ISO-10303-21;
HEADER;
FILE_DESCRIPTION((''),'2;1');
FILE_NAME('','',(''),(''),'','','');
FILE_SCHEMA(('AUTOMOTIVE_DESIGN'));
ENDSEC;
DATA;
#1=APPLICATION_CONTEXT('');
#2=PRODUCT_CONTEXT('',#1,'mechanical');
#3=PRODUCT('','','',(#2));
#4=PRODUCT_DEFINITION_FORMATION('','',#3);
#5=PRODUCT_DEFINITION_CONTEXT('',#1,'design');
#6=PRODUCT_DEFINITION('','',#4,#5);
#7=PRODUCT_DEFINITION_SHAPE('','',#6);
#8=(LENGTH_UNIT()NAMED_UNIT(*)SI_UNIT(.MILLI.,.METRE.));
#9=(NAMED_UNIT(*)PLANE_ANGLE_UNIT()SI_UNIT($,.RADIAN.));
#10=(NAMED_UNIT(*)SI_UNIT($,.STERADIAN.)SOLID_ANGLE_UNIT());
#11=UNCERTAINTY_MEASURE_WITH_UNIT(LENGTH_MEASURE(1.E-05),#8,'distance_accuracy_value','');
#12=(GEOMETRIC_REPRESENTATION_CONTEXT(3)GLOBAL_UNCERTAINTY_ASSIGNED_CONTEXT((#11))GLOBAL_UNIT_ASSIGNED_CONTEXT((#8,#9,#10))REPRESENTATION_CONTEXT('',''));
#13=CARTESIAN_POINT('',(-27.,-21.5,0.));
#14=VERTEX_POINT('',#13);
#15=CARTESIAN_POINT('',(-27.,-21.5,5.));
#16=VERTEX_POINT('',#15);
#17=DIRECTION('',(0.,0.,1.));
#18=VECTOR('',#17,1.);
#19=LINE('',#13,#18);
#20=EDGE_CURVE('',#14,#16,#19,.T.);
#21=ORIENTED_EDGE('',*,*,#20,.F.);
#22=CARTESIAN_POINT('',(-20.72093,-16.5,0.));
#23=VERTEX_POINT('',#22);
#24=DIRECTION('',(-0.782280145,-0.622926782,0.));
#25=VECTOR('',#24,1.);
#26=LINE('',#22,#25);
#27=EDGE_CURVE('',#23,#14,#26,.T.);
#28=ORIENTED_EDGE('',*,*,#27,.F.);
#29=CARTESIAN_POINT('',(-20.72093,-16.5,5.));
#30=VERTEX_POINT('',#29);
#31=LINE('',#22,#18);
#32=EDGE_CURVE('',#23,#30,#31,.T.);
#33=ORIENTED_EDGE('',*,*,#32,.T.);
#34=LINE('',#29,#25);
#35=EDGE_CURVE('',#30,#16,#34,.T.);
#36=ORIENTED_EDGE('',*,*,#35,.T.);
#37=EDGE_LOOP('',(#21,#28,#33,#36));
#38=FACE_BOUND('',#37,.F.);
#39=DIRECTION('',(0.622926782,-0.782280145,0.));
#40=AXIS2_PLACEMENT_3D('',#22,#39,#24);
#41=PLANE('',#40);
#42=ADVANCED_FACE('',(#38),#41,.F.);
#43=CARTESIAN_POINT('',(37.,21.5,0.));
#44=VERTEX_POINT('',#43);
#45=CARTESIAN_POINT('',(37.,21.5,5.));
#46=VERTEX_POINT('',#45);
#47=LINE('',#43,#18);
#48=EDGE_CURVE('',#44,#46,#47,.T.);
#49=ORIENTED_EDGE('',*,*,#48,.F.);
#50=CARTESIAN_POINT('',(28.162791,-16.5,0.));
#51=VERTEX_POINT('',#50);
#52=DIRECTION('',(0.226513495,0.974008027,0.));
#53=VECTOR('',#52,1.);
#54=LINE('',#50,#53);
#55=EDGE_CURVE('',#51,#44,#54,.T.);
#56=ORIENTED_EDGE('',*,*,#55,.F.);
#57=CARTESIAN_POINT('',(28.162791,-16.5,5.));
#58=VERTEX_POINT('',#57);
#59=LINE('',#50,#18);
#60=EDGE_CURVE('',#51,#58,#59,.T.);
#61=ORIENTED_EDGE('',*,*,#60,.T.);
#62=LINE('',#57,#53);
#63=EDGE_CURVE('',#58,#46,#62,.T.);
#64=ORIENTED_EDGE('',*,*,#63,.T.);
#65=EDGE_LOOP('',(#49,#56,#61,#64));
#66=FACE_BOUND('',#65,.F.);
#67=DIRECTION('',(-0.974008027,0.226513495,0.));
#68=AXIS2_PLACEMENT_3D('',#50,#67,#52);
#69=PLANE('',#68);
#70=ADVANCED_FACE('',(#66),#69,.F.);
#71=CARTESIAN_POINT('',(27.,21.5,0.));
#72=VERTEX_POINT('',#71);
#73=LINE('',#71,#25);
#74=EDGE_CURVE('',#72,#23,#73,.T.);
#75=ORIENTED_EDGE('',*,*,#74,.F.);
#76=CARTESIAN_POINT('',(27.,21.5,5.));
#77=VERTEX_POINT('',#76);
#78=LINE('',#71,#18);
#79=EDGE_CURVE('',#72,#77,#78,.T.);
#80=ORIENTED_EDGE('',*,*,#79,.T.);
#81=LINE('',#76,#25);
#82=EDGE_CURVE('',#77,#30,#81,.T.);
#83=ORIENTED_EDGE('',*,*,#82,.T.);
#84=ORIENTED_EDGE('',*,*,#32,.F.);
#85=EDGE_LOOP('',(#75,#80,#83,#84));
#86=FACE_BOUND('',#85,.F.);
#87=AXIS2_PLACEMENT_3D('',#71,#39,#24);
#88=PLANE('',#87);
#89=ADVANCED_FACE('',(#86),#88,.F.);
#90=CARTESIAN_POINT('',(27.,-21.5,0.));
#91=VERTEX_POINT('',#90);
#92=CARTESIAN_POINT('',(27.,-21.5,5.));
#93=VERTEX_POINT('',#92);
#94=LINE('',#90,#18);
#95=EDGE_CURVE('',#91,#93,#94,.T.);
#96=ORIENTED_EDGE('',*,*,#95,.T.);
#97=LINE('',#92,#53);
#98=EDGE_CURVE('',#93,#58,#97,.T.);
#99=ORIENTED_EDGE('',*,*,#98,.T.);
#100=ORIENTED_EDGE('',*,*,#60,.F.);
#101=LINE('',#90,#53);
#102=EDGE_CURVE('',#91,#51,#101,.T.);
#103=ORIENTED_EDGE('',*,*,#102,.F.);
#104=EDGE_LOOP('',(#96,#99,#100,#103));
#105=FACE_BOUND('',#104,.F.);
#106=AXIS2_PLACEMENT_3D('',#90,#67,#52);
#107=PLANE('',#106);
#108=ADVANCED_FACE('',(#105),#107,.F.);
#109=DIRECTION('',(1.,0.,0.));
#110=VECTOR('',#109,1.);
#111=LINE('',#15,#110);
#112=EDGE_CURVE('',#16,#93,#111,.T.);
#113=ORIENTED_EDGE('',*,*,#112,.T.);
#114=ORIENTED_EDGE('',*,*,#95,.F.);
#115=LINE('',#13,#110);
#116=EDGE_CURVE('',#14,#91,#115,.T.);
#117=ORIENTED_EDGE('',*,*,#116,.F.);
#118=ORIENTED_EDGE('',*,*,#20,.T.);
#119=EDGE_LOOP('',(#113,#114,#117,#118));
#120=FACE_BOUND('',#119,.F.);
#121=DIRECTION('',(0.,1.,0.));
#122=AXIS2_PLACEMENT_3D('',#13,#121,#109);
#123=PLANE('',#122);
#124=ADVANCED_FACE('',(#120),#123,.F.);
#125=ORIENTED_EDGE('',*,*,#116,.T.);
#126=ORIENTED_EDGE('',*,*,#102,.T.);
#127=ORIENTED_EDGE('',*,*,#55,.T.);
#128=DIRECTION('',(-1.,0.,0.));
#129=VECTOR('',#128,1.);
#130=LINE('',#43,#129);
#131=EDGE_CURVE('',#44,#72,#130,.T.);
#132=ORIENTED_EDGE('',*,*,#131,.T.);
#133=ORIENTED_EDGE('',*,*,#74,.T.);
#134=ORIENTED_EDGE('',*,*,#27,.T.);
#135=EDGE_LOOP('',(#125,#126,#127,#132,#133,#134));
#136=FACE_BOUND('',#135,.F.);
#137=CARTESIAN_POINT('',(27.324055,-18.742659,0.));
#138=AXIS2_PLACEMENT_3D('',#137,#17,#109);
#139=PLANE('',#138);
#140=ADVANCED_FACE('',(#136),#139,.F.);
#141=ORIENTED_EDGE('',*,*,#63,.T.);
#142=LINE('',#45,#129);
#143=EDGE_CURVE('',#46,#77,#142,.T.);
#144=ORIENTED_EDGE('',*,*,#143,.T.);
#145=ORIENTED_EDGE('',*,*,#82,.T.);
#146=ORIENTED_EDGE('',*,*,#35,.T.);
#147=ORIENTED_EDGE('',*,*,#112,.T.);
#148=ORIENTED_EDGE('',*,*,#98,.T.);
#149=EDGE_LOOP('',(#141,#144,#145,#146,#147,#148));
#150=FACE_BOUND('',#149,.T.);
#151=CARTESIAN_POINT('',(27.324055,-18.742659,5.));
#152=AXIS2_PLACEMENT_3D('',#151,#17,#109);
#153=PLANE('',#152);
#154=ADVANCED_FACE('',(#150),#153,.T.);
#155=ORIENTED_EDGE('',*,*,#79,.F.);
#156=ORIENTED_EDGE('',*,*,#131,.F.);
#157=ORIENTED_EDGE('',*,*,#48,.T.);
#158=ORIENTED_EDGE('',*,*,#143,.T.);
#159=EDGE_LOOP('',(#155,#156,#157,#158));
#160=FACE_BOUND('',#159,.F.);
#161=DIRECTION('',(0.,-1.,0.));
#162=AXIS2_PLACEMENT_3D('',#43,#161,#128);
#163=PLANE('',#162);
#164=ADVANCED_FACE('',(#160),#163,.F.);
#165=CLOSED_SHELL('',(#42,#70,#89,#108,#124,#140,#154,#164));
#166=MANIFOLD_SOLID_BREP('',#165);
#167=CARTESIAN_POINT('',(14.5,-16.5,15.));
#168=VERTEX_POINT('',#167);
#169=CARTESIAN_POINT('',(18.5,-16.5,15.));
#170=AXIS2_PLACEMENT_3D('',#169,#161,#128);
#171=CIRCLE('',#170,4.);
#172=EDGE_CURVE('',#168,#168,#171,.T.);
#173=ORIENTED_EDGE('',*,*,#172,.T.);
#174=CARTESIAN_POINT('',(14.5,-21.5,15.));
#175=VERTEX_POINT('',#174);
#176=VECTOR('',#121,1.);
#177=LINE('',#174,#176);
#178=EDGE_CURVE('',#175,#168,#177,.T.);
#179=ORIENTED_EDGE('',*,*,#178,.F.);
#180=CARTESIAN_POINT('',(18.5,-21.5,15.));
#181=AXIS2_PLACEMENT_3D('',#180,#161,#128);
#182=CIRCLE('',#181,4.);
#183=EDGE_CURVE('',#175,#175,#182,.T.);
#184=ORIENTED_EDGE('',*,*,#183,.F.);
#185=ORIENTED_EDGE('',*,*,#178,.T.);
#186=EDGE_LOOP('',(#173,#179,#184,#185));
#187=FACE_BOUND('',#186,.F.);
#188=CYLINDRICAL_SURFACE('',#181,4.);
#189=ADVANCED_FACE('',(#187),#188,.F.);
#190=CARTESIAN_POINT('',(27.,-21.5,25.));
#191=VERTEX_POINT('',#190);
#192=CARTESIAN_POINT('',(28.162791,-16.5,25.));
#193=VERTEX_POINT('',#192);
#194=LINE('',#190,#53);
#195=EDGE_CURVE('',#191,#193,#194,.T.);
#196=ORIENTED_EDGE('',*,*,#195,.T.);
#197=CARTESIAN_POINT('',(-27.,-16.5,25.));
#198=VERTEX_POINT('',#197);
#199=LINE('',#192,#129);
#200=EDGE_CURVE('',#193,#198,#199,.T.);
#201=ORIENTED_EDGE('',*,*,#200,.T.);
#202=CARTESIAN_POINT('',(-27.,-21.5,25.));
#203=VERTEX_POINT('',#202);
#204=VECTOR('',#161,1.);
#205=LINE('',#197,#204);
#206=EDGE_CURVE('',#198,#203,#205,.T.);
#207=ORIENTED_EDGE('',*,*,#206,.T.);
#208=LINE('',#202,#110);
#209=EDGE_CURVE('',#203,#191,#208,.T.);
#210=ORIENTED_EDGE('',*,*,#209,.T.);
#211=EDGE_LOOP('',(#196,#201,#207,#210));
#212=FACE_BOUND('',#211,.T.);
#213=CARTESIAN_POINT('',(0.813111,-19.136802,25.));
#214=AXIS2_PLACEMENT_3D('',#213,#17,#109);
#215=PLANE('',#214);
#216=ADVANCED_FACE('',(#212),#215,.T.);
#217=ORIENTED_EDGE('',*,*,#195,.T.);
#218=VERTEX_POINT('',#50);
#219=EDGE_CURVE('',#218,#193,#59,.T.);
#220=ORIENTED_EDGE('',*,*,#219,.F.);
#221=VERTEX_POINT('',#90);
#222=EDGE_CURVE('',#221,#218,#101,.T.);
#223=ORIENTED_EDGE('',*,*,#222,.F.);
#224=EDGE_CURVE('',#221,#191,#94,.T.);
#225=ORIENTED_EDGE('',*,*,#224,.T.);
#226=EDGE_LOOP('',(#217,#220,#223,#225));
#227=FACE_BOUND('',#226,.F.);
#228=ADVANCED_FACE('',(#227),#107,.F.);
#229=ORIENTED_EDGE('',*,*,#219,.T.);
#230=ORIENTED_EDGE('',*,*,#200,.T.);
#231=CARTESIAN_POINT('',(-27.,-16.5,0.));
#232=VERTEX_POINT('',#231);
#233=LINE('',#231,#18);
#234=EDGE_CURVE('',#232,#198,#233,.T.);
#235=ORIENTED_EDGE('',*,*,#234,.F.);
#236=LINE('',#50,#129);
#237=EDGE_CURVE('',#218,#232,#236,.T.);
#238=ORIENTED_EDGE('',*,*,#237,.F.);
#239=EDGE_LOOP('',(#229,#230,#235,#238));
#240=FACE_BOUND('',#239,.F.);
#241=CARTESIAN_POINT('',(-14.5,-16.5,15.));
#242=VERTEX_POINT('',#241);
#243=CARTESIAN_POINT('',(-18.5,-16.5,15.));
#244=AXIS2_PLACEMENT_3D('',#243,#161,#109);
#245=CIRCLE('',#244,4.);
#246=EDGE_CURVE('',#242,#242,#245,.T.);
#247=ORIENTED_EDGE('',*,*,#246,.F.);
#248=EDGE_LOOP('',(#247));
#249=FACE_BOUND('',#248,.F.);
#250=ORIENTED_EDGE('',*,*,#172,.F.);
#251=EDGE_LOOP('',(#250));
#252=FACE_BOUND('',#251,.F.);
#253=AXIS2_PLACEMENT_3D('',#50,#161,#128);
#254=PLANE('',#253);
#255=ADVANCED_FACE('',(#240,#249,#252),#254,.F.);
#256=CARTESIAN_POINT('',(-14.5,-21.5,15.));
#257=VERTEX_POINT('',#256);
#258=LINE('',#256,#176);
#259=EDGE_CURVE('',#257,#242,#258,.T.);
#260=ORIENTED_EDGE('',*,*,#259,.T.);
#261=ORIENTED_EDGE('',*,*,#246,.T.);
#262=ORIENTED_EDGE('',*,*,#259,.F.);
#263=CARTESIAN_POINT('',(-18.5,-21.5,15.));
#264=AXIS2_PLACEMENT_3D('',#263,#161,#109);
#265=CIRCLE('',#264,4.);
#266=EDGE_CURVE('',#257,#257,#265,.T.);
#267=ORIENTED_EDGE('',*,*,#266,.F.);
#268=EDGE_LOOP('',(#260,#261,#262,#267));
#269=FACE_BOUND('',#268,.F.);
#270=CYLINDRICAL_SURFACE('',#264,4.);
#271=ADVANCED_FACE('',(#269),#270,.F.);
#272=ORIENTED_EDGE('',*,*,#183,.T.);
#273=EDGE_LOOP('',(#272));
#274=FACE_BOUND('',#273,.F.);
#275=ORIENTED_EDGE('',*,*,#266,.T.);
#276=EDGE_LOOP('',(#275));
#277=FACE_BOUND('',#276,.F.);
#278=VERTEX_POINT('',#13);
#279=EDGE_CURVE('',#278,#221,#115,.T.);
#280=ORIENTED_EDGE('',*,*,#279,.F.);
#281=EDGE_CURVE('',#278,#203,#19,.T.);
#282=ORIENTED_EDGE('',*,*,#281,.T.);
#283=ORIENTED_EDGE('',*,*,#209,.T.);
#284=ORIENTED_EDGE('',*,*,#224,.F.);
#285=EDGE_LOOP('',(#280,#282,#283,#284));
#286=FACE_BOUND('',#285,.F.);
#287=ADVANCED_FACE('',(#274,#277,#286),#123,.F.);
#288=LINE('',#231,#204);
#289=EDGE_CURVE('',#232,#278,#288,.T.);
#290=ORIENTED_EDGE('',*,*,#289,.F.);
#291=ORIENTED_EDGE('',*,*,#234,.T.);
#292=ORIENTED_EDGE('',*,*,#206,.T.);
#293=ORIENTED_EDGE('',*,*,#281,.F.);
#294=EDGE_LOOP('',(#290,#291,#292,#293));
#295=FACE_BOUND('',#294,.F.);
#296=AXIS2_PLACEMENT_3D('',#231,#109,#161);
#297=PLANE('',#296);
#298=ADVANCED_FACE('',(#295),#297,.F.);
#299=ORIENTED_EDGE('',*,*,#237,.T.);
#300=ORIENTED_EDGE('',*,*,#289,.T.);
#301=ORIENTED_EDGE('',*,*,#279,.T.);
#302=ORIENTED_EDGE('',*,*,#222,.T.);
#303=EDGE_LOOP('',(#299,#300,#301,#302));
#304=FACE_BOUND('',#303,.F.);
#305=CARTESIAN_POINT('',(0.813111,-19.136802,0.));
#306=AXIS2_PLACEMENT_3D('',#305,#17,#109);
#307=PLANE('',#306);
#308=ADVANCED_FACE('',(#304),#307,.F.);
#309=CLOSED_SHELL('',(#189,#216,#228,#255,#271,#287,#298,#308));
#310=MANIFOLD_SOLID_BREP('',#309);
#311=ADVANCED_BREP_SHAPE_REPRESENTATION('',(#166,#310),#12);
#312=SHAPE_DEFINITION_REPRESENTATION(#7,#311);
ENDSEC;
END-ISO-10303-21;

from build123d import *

# Parameters (mm, degrees)
F1_DEPTH = 5
F2_DEPTH = 25
F3_R     = 4
F4_DEPTH = 10


with BuildPart() as f1:
    # F0 (on Top) → F1 (new body)
    with BuildSketch(Plane.XY):
        Polygon((28.1627906977, -16.5), (27, -16.5), (27, -21.5), align=None)
        Polygon((27, -21.5), (27, -16.5), (-20.7209302326, -16.5), (-27, -21.5), align=None)
        Polygon((27, -16.5), (27, 21.5), (-20.7209302326, -16.5), align=None)
        Polygon((37, 21.5), (27, 21.5), (27, -16.5), (28.1627906977, -16.5), align=None)
    extrude(amount=F1_DEPTH)


with BuildPart() as f2:
    # F0 (on Top) → F2 (new body)
    with BuildSketch(Plane.XY):
        Polygon((27, -21.5), (27, -16.5), (-20.7209302326, -16.5), (-27, -21.5), align=None)
        Polygon((28.1627906977, -16.5), (27, -16.5), (27, -21.5), align=None)
        Polygon((-27, -21.5), (-20.7209302326, -16.5), (-27, -16.5), align=None)
    extrude(amount=F2_DEPTH)

    # F3 (on face) → F4 (cut)
    with BuildSketch(Plane.XZ.offset(21.5)):
        with Locations((-18.5, 15)):
            Circle(F3_R)
        with BuildLine():
            ThreePointArc((22.5, 15), (18.5, 19), (14.5, 15))
            ThreePointArc((14.5, 15), (18.5, 11), (22.5, 15))
        make_face()
    extrude(amount=-F4_DEPTH, mode=Mode.SUBTRACT)


solid = Compound([f1.part, f2.part])
